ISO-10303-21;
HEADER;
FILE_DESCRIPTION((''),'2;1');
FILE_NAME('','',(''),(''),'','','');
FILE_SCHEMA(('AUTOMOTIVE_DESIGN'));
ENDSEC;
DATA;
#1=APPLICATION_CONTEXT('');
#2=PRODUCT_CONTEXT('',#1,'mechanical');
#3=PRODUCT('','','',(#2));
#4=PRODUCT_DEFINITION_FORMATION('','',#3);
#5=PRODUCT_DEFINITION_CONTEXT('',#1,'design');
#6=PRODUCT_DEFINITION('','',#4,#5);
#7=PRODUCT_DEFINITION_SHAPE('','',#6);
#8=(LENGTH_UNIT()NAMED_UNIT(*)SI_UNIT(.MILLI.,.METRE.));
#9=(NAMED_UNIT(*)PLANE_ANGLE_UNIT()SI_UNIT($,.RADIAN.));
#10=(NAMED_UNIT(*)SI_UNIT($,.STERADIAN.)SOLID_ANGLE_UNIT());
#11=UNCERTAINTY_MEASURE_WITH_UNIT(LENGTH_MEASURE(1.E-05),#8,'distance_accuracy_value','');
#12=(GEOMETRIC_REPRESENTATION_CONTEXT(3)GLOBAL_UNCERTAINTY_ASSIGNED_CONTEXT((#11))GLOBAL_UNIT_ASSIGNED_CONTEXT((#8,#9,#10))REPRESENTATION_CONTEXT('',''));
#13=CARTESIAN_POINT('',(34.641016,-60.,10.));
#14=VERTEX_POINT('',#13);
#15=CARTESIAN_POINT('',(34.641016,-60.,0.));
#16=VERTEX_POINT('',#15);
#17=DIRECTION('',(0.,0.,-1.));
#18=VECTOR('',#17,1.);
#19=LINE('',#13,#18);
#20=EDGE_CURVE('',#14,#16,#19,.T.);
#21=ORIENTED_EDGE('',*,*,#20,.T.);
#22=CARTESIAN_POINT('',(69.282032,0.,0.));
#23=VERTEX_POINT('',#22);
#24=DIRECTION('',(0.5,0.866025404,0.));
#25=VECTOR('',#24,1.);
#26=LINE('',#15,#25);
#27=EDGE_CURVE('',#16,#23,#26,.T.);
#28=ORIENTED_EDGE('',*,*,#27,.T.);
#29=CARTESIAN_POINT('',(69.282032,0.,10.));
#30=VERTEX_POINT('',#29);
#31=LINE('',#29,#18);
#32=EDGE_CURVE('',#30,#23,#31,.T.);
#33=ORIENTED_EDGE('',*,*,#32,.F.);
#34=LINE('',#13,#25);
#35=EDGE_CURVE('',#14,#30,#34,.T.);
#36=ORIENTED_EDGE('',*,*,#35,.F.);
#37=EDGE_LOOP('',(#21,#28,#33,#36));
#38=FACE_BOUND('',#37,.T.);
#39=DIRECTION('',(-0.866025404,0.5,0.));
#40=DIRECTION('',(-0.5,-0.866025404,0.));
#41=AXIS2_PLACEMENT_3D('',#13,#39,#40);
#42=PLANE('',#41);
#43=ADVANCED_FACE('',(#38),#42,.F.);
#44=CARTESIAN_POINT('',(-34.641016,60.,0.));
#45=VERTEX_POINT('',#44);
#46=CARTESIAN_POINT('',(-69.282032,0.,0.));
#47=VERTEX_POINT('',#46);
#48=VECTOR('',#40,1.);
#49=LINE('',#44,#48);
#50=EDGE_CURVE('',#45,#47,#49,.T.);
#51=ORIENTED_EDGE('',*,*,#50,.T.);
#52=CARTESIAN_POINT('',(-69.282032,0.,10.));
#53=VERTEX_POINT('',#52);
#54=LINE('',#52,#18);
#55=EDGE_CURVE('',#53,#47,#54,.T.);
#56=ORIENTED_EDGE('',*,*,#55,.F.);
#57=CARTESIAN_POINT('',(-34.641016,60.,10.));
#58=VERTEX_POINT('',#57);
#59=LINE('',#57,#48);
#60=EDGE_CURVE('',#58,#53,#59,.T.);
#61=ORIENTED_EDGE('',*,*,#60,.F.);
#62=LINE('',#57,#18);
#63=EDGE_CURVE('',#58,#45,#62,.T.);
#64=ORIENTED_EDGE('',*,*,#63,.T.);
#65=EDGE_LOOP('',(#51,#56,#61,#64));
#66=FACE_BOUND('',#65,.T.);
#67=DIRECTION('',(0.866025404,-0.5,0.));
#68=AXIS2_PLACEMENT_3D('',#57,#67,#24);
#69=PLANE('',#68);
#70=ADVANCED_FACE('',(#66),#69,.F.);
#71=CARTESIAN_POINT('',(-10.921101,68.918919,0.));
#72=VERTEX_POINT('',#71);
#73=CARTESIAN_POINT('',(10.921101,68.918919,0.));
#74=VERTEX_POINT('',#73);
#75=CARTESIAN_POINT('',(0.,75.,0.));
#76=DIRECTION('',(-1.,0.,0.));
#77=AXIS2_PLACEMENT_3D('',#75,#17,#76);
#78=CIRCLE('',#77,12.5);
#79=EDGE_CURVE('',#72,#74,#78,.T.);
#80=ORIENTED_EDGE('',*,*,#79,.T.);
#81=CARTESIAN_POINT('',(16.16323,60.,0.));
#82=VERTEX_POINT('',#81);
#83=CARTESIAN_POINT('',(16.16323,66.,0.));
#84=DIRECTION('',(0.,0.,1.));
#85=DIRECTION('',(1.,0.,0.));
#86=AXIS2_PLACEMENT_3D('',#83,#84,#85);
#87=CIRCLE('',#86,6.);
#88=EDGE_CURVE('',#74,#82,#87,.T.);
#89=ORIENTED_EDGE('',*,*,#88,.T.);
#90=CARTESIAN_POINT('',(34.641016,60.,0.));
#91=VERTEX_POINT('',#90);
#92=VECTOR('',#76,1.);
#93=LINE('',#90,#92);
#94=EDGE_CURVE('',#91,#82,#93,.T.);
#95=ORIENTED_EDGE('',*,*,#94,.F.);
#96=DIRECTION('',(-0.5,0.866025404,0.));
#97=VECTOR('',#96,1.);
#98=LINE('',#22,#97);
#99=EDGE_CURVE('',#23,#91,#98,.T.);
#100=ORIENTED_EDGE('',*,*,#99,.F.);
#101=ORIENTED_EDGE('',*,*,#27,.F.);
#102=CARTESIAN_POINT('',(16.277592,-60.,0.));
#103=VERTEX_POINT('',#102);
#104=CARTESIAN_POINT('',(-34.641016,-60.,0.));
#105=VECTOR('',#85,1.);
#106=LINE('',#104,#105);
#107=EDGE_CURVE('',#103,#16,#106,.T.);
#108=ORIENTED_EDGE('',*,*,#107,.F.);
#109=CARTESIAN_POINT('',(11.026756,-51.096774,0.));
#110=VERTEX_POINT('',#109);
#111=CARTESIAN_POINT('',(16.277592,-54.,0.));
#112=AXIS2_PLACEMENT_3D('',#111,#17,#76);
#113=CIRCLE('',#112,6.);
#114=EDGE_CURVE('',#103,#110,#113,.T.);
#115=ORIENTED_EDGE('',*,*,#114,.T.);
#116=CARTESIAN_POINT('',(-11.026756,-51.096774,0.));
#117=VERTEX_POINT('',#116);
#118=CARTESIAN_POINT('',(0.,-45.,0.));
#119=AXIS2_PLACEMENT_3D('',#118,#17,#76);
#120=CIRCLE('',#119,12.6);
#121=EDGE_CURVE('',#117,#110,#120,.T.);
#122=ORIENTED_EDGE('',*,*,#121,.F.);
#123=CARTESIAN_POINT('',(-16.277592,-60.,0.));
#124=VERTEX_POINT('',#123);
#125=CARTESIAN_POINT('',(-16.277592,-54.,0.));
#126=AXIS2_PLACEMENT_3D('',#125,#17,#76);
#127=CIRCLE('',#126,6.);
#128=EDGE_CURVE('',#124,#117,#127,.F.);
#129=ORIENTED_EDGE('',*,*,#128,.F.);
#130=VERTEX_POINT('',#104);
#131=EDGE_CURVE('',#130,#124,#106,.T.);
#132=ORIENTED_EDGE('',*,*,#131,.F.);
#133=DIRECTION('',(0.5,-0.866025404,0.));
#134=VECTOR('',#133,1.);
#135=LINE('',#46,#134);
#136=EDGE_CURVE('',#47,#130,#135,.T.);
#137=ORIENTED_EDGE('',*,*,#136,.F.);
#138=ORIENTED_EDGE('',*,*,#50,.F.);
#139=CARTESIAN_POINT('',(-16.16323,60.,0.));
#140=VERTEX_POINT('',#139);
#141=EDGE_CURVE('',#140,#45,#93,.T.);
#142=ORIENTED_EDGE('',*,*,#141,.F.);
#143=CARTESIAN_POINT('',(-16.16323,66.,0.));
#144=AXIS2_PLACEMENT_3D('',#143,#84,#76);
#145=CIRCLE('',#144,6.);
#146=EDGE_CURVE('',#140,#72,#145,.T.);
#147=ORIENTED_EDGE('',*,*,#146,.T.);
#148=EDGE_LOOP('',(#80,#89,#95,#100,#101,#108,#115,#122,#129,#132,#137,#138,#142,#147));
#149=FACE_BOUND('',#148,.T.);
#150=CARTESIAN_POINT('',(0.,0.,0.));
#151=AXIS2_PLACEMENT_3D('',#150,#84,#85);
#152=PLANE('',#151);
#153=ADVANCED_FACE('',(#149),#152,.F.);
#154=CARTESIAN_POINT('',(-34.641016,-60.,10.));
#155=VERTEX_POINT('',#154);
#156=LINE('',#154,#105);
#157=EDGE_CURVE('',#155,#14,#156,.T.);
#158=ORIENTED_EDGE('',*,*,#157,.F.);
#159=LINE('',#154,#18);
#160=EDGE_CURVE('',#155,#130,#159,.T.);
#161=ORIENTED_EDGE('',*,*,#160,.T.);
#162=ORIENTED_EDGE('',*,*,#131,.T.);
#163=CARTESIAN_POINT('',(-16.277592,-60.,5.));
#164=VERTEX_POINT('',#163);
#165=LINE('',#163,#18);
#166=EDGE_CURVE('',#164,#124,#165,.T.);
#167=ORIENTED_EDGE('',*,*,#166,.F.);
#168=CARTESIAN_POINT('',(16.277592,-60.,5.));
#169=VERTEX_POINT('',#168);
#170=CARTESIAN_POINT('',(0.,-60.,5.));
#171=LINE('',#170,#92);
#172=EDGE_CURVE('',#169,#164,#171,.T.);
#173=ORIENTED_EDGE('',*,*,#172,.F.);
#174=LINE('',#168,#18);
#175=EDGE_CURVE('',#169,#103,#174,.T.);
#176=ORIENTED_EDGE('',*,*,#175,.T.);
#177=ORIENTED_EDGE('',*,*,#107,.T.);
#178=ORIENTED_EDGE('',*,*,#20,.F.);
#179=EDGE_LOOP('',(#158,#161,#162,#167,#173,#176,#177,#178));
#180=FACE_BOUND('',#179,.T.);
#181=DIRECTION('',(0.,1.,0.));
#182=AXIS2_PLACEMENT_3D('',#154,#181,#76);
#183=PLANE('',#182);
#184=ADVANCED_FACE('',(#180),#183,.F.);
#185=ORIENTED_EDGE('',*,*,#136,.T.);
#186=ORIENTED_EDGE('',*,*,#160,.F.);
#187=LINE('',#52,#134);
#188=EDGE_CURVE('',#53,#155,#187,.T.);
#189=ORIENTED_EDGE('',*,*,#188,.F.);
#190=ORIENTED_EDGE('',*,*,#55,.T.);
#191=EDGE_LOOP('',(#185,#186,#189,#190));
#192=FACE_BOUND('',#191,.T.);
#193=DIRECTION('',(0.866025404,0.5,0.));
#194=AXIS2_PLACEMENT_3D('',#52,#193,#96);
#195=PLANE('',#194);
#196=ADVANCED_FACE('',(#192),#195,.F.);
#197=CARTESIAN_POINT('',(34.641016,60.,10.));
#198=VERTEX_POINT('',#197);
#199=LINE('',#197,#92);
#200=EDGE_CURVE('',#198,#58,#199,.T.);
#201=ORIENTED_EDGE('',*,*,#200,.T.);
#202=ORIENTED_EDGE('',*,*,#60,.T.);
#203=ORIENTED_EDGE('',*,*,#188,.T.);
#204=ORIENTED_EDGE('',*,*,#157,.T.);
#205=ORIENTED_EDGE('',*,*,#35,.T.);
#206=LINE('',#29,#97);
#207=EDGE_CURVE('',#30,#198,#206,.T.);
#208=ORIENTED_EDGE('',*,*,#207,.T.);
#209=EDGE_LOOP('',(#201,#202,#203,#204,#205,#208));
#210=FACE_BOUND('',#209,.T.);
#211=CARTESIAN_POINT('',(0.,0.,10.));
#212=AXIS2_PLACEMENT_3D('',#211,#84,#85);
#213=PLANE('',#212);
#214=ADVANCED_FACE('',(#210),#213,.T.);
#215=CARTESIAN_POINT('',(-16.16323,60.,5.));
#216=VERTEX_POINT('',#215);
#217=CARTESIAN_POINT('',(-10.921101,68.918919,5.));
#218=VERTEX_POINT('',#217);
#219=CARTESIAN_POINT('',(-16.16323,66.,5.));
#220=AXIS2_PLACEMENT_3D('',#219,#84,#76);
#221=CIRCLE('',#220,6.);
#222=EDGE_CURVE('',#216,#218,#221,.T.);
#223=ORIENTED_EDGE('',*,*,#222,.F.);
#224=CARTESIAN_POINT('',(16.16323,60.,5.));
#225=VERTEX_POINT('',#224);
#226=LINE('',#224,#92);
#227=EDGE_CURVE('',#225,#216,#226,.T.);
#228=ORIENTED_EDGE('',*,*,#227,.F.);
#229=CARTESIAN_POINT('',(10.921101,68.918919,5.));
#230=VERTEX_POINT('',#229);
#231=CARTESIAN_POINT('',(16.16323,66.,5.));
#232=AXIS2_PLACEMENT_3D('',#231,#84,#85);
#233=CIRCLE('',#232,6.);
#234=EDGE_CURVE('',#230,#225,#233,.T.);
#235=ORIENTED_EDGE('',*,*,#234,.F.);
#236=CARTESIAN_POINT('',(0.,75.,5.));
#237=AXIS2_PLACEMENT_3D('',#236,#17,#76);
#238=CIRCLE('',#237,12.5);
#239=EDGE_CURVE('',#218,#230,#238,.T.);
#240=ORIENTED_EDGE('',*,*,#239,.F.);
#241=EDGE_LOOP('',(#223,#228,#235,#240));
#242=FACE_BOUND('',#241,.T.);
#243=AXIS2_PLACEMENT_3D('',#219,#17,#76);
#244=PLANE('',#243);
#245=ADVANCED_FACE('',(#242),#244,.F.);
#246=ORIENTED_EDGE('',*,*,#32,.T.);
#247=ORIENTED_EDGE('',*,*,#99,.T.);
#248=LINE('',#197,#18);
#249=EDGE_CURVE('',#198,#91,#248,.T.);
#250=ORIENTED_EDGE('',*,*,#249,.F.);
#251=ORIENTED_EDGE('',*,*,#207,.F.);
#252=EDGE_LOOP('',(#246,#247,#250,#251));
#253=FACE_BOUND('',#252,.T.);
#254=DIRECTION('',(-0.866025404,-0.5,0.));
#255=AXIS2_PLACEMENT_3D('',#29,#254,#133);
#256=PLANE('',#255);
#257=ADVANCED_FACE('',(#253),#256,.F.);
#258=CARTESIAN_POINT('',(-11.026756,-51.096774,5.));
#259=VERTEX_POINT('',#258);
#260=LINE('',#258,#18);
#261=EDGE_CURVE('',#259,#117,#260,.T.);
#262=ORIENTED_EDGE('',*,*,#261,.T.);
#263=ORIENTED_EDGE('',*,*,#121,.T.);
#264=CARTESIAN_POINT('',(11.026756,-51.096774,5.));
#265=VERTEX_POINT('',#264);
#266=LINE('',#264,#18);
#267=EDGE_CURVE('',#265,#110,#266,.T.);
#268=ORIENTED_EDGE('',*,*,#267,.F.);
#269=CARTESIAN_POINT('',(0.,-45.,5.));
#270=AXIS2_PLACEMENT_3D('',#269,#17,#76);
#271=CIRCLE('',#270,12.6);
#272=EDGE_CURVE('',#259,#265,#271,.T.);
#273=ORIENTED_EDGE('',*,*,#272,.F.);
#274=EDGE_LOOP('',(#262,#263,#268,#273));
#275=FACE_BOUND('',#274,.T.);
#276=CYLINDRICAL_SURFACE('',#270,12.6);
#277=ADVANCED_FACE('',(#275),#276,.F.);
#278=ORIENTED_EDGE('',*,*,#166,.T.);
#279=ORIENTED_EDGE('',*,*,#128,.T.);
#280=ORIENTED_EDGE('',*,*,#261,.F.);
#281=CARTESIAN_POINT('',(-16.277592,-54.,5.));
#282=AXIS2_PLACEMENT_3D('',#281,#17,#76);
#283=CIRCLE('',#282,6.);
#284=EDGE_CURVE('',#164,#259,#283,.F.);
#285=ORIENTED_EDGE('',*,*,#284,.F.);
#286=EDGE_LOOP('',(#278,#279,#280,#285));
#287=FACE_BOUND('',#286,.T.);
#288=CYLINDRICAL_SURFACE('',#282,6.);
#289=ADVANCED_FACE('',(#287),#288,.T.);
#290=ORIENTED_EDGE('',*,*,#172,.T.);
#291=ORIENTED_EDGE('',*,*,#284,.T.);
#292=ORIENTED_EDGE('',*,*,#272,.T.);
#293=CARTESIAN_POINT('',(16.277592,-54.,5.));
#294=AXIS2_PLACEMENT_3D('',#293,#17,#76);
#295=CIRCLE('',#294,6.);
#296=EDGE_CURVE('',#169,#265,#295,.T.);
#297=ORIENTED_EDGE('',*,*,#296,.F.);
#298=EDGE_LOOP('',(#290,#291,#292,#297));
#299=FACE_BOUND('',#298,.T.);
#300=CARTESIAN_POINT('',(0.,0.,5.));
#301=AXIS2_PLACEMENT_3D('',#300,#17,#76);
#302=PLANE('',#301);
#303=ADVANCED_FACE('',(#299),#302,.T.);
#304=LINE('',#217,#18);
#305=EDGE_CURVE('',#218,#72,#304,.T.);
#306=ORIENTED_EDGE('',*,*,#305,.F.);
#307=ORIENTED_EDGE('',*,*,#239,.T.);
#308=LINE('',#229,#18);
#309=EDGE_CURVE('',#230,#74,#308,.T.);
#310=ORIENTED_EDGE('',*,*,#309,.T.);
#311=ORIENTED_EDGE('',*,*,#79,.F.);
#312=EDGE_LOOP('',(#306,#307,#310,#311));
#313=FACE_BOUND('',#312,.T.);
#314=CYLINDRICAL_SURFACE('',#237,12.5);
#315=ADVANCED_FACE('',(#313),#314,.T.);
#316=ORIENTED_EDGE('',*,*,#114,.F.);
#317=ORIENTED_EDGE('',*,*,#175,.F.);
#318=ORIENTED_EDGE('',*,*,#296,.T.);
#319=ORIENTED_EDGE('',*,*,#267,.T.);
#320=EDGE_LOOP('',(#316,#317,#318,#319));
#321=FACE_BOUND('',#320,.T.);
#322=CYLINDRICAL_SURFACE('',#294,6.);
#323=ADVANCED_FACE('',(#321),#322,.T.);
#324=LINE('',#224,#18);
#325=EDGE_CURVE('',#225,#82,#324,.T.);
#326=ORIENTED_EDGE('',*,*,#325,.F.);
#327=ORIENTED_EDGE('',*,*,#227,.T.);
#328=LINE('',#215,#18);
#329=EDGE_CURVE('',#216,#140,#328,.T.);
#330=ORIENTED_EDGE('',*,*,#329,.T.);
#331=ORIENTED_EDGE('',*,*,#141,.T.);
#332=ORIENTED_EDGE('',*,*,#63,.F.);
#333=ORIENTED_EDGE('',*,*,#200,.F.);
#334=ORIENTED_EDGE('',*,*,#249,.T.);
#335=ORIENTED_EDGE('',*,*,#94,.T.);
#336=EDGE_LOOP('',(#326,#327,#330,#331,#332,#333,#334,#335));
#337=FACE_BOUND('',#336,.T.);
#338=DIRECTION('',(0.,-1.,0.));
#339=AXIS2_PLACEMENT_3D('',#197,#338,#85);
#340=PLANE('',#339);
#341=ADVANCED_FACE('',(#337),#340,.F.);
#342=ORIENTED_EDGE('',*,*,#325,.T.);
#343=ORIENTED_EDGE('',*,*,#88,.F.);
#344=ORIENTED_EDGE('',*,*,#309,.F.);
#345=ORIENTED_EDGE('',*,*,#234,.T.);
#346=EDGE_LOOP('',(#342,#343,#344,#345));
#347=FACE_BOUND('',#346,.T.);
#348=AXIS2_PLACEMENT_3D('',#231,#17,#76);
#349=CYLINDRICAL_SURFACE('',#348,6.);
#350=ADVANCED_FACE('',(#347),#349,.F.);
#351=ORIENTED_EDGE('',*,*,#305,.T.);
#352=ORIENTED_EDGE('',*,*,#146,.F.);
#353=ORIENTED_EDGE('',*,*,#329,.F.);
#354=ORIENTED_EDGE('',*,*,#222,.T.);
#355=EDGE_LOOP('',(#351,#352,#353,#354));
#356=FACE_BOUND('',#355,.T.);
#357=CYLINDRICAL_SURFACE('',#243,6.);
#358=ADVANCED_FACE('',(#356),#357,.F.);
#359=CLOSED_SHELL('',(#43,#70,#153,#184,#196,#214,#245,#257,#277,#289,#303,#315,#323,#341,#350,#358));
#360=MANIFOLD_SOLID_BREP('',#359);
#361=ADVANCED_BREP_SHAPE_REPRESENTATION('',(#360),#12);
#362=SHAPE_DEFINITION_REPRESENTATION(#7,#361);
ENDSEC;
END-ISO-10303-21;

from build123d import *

# Parameters (mm, degrees)
EXTRUDE_1_DEPTH     = 10
EXTRUDE_2_DEPTH     = 5
CUT_EXTRUDE_2_DEPTH = 5


with BuildPart() as part:
    # 草图1 → 凸台-拉伸1 (new body)
    with BuildSketch(Plane.XY):
        Polygon((69.282032303, 0), (34.641016151, 60), (-34.641016151, 60), (-69.282032303, 0), (-34.641016151, -60), (34.641016151, -60), align=None)
    extrude(amount=EXTRUDE_1_DEPTH)

    # 草图2 → 凸台-拉伸2 (add)
    with BuildSketch(Plane(origin=(0, 0, 0), x_dir=(-1, 0, 0), z_dir=(0, 0, -1))):
        with BuildLine():
            Line((-16.163229875, 60), (16.163229875, 60))
            ThreePointArc((16.163229875, 60), (10.9905365, 62.959729742), (10.921101267, 68.918918919))
            ThreePointArc((10.921101267, 68.918918919), (0, 87.5), (-10.921101267, 68.918918919))
            ThreePointArc((-10.921101267, 68.918918919), (-10.9905365, 62.959729742), (-16.163229875, 60))
        make_face()
    extrude(amount=-EXTRUDE_2_DEPTH)

    # 草图3 → 切除-拉伸2 (cut)
    with BuildSketch(Plane(origin=(0, 0, 0), x_dir=(-1, 0, 0), z_dir=(0, 0, -1))):
        with BuildLine():
            ThreePointArc((-11.026755844, -51.096774194), (-11.109451344, -57.048003048), (-16.27759196, -60))
            Line((-16.27759196, -60), (0, -60))
            Line((0, -60), (16.27759196, -60))
            ThreePointArc((16.27759196, -60), (11.109451344, -57.048003048), (11.026755844, -51.096774194))
            ThreePointArc((11.026755844, -51.096774194), (0, -32.4), (-11.026755844, -51.096774194))
        make_face()
    extrude(amount=-CUT_EXTRUDE_2_DEPTH, mode=Mode.SUBTRACT)


solid = part.part
